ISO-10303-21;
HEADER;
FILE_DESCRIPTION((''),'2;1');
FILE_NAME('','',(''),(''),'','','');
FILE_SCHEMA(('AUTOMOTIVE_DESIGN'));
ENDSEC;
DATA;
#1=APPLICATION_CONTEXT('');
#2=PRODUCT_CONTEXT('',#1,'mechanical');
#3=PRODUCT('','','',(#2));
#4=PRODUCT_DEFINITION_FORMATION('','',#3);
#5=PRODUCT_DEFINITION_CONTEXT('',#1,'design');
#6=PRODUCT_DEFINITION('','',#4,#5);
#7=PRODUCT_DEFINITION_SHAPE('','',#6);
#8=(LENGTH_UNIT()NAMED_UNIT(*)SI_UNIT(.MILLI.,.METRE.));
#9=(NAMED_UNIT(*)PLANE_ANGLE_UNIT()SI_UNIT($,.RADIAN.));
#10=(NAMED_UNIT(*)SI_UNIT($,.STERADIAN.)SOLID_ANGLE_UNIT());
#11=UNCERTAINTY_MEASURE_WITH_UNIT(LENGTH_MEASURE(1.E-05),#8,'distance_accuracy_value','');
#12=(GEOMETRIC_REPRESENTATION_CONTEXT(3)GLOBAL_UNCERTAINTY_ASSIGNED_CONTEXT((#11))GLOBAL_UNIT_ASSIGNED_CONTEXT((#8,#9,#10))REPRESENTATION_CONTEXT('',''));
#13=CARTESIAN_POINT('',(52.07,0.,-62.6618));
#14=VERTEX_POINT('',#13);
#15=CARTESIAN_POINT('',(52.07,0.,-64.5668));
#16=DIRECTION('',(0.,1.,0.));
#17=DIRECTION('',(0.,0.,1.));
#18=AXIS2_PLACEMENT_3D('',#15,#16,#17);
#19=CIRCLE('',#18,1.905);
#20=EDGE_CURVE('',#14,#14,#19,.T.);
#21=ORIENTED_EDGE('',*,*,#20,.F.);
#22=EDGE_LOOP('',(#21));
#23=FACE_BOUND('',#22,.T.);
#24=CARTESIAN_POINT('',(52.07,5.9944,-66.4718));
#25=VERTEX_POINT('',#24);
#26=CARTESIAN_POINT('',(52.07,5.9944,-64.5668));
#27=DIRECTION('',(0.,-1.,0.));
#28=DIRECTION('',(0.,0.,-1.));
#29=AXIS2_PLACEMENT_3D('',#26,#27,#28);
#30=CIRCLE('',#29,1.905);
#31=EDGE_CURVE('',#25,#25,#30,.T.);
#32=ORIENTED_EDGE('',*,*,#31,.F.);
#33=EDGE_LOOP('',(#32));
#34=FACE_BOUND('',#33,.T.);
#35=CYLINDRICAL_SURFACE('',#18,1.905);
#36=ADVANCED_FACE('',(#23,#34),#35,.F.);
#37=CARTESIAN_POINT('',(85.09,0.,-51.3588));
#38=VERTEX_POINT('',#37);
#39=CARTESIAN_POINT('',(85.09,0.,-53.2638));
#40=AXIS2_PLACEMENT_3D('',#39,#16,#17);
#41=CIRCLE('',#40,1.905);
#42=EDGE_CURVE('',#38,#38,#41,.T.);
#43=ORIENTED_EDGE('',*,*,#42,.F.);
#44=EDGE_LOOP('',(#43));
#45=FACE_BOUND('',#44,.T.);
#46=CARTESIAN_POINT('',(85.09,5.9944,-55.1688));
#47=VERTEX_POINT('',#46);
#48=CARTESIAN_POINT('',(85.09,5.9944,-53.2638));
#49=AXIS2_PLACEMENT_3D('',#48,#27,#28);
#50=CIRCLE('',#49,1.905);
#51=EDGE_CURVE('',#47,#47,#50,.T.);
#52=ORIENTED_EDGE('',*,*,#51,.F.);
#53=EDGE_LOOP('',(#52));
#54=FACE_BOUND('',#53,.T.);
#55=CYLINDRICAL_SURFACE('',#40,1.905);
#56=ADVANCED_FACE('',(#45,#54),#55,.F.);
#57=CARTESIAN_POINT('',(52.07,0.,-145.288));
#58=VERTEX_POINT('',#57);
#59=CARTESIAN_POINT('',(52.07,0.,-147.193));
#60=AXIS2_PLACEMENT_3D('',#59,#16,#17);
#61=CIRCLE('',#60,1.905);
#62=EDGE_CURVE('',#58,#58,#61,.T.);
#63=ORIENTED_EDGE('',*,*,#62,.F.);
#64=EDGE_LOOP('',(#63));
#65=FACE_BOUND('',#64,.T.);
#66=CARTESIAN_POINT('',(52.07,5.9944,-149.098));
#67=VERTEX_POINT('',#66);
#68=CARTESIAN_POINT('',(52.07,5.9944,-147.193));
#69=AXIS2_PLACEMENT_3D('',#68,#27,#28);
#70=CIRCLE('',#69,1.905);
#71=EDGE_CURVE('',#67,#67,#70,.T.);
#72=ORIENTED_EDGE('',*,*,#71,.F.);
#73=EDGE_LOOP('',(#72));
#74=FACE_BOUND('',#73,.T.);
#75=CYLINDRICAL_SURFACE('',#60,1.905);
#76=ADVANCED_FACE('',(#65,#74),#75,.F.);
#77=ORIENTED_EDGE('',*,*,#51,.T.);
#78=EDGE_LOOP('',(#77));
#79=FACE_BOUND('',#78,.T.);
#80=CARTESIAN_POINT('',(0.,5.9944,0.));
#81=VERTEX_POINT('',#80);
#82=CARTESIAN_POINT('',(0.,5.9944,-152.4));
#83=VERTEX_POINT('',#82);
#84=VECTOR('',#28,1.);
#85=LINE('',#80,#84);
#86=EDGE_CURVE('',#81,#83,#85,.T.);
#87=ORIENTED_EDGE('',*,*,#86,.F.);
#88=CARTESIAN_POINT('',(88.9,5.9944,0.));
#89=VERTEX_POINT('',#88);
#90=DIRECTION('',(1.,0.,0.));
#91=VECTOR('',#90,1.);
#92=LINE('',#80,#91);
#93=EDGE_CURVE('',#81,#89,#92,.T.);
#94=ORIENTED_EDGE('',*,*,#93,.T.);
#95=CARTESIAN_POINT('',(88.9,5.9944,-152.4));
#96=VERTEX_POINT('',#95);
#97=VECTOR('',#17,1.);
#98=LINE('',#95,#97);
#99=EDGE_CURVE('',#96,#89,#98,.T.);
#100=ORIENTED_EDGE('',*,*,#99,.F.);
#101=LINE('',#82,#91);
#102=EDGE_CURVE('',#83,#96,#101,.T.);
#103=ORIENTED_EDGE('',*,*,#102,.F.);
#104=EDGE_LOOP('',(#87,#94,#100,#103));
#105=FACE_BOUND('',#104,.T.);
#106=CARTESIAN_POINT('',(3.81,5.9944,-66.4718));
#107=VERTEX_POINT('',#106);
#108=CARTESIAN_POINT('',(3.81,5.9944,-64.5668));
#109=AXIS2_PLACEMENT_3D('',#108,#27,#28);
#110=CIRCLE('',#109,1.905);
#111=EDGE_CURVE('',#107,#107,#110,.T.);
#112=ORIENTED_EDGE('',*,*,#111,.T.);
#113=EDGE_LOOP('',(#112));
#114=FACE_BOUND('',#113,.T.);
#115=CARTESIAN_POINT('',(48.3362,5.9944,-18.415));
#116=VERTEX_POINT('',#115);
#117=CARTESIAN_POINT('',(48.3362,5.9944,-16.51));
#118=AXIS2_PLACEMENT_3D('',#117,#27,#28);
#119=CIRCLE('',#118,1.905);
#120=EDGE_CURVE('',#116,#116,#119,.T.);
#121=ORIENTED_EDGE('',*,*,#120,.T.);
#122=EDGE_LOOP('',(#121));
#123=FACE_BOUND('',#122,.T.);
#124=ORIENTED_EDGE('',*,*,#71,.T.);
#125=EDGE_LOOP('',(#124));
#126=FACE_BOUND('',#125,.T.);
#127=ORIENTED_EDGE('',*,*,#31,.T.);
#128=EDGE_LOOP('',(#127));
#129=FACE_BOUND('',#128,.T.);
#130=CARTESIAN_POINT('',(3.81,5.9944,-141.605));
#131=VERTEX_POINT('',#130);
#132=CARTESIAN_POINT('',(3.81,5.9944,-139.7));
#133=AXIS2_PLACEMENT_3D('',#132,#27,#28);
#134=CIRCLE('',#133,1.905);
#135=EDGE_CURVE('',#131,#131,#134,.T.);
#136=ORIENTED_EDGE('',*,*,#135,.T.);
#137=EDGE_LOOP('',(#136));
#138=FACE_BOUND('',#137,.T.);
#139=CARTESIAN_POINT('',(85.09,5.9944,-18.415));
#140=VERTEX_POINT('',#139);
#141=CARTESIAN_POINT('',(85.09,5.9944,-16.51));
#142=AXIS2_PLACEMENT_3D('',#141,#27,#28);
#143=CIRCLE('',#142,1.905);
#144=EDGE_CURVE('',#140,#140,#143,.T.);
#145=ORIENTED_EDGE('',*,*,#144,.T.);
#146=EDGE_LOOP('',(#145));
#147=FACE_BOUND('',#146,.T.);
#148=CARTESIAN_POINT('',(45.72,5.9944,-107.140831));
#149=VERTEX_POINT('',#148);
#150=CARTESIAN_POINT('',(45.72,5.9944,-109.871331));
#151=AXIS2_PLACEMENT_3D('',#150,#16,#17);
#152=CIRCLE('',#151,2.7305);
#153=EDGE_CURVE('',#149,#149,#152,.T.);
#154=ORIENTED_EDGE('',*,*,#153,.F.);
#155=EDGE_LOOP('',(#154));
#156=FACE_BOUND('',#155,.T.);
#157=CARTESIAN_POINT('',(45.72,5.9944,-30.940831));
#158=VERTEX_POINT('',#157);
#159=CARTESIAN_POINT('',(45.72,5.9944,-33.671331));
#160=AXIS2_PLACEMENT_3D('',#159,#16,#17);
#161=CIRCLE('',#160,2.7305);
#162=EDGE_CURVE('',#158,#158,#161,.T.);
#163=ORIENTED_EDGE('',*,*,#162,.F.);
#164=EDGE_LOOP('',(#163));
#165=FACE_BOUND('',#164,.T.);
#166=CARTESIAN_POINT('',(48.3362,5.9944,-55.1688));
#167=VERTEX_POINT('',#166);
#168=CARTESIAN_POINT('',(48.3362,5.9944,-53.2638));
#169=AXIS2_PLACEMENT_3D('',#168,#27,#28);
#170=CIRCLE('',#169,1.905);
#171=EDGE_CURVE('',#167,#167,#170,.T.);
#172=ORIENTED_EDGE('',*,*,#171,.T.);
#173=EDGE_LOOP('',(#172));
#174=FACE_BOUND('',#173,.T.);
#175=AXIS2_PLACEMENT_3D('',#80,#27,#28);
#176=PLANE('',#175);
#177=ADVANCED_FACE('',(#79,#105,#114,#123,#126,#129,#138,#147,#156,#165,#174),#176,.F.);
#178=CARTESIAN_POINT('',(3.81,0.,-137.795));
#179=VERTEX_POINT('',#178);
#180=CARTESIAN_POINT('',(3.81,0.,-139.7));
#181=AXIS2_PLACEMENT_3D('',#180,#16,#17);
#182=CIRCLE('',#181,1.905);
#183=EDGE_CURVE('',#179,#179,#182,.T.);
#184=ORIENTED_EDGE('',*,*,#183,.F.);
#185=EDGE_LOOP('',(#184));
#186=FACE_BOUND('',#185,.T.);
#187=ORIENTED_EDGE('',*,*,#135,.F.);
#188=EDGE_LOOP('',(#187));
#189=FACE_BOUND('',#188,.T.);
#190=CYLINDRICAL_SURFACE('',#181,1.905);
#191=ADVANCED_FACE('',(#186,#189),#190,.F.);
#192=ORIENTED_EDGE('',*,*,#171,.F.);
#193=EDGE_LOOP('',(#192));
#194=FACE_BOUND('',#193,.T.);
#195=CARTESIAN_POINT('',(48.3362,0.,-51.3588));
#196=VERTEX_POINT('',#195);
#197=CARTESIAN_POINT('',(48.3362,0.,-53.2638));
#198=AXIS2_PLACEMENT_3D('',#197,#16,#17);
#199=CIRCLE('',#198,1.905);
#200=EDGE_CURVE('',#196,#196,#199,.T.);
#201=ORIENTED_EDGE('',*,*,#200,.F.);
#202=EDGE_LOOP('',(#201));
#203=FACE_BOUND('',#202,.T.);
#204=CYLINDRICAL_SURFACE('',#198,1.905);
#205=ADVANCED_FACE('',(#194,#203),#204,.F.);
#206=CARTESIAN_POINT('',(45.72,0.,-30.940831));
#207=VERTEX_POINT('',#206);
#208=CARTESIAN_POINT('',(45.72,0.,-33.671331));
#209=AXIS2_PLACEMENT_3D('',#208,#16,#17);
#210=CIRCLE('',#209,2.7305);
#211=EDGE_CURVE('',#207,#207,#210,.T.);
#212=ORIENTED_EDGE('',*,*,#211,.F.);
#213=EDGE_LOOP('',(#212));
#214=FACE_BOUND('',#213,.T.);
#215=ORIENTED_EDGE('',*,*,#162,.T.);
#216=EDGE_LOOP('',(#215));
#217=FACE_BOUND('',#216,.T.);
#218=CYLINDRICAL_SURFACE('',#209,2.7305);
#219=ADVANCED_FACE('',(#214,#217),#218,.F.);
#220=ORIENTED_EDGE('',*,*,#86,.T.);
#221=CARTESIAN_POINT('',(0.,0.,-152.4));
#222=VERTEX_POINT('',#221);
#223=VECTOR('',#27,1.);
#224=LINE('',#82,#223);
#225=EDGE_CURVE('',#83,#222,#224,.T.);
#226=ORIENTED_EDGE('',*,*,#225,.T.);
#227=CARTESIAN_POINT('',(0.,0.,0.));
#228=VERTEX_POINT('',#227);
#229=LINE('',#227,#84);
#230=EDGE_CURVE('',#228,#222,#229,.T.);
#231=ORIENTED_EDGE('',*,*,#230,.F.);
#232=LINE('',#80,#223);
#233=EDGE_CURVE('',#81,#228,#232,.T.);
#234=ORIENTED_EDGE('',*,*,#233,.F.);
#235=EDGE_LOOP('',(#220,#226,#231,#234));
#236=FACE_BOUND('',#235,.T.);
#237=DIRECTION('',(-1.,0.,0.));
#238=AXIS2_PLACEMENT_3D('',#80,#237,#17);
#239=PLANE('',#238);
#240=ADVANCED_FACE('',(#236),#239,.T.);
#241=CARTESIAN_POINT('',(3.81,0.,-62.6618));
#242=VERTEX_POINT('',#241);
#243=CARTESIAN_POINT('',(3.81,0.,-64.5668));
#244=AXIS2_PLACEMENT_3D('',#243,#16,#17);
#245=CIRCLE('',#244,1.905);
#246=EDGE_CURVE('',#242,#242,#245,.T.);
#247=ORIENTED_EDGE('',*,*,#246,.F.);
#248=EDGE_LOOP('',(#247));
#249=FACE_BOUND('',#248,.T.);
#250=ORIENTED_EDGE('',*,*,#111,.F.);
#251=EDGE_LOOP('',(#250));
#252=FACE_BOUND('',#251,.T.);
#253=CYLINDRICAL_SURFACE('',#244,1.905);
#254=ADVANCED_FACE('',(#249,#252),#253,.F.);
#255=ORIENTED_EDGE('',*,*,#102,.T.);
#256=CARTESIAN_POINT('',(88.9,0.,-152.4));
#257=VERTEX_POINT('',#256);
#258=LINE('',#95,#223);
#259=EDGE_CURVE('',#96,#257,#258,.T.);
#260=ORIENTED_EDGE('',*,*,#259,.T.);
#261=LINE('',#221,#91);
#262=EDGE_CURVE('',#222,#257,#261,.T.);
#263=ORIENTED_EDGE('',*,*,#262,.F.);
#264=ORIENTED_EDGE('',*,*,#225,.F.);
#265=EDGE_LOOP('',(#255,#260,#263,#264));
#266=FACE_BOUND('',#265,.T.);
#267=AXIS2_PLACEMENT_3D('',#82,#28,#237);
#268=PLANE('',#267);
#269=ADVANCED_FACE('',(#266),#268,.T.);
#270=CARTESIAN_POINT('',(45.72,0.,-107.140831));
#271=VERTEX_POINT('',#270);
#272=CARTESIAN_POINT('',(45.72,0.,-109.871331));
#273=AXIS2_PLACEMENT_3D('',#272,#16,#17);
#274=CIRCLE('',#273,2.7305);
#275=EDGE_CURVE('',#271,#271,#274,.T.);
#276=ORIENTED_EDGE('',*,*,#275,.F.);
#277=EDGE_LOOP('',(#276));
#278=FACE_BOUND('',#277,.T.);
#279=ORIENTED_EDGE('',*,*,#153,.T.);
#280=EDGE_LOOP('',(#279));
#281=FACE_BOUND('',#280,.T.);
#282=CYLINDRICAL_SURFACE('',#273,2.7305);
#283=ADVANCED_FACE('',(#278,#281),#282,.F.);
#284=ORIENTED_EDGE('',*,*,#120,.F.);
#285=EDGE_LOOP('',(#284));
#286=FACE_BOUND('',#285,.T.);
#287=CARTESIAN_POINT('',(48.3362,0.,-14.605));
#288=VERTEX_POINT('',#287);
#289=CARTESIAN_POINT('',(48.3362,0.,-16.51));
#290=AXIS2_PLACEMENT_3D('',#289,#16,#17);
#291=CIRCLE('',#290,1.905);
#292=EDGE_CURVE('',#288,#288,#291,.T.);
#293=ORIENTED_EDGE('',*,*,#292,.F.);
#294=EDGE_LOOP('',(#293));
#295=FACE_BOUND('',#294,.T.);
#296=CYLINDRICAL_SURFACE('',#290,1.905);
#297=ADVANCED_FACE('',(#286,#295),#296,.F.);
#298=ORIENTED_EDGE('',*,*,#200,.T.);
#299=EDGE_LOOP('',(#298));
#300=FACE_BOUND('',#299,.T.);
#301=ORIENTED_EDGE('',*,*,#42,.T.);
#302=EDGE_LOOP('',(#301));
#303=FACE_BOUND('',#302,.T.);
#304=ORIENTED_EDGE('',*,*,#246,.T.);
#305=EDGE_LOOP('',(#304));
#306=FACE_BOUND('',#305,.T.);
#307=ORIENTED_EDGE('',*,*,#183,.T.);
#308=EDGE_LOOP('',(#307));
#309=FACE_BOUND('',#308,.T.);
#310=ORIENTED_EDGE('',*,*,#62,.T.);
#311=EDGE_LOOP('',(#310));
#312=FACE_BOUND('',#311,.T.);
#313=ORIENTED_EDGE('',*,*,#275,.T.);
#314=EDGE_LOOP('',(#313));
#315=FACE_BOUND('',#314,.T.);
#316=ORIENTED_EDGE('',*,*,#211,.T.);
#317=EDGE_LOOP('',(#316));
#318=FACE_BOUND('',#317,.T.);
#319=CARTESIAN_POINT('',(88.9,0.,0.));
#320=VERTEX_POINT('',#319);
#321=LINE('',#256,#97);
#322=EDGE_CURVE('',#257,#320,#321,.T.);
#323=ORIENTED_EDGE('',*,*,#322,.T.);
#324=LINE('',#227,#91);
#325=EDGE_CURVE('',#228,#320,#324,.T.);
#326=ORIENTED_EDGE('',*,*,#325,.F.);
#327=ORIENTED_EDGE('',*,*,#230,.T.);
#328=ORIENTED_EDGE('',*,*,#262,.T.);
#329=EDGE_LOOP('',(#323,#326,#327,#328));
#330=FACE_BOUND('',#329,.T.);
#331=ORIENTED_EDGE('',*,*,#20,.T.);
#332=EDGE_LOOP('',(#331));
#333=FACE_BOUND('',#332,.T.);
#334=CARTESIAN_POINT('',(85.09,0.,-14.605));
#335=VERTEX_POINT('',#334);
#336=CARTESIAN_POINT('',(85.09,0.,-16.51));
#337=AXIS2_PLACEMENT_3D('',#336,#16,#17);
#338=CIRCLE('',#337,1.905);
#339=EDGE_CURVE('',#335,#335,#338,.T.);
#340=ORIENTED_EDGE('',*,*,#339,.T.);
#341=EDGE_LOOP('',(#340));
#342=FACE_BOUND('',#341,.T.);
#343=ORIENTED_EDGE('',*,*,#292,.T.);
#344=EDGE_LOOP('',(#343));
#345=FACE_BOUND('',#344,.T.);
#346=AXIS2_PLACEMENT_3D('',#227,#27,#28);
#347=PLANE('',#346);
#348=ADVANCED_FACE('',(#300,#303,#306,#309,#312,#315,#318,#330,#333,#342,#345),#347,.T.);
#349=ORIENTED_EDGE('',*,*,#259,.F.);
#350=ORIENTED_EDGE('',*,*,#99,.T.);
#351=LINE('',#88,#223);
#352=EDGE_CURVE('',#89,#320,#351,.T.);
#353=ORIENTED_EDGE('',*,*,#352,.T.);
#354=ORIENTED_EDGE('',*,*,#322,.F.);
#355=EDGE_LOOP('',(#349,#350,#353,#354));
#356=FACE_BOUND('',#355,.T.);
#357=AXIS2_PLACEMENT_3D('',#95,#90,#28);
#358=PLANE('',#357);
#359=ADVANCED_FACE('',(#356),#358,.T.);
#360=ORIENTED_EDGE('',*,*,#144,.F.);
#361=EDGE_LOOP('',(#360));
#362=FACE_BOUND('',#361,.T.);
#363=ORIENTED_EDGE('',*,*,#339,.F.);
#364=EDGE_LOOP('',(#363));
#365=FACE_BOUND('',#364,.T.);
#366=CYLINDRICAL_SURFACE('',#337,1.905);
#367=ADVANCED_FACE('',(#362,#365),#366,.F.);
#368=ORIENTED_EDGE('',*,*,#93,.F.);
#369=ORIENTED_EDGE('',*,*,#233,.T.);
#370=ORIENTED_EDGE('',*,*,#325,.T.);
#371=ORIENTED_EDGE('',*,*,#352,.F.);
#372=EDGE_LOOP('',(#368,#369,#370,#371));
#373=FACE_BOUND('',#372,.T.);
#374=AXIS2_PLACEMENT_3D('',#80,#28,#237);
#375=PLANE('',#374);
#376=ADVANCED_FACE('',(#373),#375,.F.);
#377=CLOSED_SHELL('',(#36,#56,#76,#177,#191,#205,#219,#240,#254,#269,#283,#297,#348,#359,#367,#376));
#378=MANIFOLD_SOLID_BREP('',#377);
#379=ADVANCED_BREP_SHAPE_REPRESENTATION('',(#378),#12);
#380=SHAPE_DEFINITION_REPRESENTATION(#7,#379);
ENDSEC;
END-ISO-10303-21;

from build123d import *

# Parameters (mm, degrees)
SKETCH2_W               = 88.9
SKETCH2_H               = 152.4
BOSS_EXTRUDE1_DEPTH     = 5.9944
SKETCH3_R               = 1.905
CUT_EXTRUDE1_DEPTH      = 1
CUT_EXTRUDE1_DEPTH_BACK = 6.9944
SKETCH4_R               = 2.7305
CUT_EXTRUDE2_DEPTH      = 1
CUT_EXTRUDE2_DEPTH_BACK = 6.9944


with BuildPart() as part:
    # Sketch2 → Boss-Extrude1 (new body)
    with BuildSketch(Plane(origin=(0, 0, 0), x_dir=(1, 0, 0), z_dir=(0, 1, 0))):
        with Locations((44.45, 76.2)):
            Rectangle(SKETCH2_W, SKETCH2_H)
    extrude(amount=BOSS_EXTRUDE1_DEPTH)

    # Sketch3 → Cut-Extrude1 (cut, two sides)
    with BuildSketch(Plane(origin=(0, 5.9944, 0), x_dir=(1, 0, 0), z_dir=(0, 1, 0))) as cut_extrude1_sk:
        with Locations((52.07, 147.193)):
            Circle(SKETCH3_R)
        with Locations((3.81, 139.7)):
            Circle(SKETCH3_R)
        with Locations((3.81, 64.5668)):
            Circle(SKETCH3_R)
        with Locations((52.07, 64.5668)):
            Circle(SKETCH3_R)
        with Locations((48.3362, 53.2638)):
            Circle(SKETCH3_R)
        with Locations((85.09, 53.2638)):
            Circle(SKETCH3_R)
        with Locations((48.3362, 16.51)):
            Circle(SKETCH3_R)
        with Locations((85.09, 16.51)):
            Circle(SKETCH3_R)
    extrude(amount=CUT_EXTRUDE1_DEPTH, mode=Mode.SUBTRACT)
    extrude(cut_extrude1_sk.sketch, amount=-CUT_EXTRUDE1_DEPTH_BACK, mode=Mode.SUBTRACT)

    # Sketch4 → Cut-Extrude2 (cut, two sides)
    with BuildSketch(Plane(origin=(0, 5.9944, 0), x_dir=(1, 0, 0), z_dir=(0, 1, 0))) as cut_extrude2_sk:
        with Locations((45.72, 109.871331367)):
            Circle(SKETCH4_R)
        with Locations((45.72, 33.671331367)):
            Circle(SKETCH4_R)
    extrude(amount=CUT_EXTRUDE2_DEPTH, mode=Mode.SUBTRACT)
    extrude(cut_extrude2_sk.sketch, amount=-CUT_EXTRUDE2_DEPTH_BACK, mode=Mode.SUBTRACT)


solid = part.part
